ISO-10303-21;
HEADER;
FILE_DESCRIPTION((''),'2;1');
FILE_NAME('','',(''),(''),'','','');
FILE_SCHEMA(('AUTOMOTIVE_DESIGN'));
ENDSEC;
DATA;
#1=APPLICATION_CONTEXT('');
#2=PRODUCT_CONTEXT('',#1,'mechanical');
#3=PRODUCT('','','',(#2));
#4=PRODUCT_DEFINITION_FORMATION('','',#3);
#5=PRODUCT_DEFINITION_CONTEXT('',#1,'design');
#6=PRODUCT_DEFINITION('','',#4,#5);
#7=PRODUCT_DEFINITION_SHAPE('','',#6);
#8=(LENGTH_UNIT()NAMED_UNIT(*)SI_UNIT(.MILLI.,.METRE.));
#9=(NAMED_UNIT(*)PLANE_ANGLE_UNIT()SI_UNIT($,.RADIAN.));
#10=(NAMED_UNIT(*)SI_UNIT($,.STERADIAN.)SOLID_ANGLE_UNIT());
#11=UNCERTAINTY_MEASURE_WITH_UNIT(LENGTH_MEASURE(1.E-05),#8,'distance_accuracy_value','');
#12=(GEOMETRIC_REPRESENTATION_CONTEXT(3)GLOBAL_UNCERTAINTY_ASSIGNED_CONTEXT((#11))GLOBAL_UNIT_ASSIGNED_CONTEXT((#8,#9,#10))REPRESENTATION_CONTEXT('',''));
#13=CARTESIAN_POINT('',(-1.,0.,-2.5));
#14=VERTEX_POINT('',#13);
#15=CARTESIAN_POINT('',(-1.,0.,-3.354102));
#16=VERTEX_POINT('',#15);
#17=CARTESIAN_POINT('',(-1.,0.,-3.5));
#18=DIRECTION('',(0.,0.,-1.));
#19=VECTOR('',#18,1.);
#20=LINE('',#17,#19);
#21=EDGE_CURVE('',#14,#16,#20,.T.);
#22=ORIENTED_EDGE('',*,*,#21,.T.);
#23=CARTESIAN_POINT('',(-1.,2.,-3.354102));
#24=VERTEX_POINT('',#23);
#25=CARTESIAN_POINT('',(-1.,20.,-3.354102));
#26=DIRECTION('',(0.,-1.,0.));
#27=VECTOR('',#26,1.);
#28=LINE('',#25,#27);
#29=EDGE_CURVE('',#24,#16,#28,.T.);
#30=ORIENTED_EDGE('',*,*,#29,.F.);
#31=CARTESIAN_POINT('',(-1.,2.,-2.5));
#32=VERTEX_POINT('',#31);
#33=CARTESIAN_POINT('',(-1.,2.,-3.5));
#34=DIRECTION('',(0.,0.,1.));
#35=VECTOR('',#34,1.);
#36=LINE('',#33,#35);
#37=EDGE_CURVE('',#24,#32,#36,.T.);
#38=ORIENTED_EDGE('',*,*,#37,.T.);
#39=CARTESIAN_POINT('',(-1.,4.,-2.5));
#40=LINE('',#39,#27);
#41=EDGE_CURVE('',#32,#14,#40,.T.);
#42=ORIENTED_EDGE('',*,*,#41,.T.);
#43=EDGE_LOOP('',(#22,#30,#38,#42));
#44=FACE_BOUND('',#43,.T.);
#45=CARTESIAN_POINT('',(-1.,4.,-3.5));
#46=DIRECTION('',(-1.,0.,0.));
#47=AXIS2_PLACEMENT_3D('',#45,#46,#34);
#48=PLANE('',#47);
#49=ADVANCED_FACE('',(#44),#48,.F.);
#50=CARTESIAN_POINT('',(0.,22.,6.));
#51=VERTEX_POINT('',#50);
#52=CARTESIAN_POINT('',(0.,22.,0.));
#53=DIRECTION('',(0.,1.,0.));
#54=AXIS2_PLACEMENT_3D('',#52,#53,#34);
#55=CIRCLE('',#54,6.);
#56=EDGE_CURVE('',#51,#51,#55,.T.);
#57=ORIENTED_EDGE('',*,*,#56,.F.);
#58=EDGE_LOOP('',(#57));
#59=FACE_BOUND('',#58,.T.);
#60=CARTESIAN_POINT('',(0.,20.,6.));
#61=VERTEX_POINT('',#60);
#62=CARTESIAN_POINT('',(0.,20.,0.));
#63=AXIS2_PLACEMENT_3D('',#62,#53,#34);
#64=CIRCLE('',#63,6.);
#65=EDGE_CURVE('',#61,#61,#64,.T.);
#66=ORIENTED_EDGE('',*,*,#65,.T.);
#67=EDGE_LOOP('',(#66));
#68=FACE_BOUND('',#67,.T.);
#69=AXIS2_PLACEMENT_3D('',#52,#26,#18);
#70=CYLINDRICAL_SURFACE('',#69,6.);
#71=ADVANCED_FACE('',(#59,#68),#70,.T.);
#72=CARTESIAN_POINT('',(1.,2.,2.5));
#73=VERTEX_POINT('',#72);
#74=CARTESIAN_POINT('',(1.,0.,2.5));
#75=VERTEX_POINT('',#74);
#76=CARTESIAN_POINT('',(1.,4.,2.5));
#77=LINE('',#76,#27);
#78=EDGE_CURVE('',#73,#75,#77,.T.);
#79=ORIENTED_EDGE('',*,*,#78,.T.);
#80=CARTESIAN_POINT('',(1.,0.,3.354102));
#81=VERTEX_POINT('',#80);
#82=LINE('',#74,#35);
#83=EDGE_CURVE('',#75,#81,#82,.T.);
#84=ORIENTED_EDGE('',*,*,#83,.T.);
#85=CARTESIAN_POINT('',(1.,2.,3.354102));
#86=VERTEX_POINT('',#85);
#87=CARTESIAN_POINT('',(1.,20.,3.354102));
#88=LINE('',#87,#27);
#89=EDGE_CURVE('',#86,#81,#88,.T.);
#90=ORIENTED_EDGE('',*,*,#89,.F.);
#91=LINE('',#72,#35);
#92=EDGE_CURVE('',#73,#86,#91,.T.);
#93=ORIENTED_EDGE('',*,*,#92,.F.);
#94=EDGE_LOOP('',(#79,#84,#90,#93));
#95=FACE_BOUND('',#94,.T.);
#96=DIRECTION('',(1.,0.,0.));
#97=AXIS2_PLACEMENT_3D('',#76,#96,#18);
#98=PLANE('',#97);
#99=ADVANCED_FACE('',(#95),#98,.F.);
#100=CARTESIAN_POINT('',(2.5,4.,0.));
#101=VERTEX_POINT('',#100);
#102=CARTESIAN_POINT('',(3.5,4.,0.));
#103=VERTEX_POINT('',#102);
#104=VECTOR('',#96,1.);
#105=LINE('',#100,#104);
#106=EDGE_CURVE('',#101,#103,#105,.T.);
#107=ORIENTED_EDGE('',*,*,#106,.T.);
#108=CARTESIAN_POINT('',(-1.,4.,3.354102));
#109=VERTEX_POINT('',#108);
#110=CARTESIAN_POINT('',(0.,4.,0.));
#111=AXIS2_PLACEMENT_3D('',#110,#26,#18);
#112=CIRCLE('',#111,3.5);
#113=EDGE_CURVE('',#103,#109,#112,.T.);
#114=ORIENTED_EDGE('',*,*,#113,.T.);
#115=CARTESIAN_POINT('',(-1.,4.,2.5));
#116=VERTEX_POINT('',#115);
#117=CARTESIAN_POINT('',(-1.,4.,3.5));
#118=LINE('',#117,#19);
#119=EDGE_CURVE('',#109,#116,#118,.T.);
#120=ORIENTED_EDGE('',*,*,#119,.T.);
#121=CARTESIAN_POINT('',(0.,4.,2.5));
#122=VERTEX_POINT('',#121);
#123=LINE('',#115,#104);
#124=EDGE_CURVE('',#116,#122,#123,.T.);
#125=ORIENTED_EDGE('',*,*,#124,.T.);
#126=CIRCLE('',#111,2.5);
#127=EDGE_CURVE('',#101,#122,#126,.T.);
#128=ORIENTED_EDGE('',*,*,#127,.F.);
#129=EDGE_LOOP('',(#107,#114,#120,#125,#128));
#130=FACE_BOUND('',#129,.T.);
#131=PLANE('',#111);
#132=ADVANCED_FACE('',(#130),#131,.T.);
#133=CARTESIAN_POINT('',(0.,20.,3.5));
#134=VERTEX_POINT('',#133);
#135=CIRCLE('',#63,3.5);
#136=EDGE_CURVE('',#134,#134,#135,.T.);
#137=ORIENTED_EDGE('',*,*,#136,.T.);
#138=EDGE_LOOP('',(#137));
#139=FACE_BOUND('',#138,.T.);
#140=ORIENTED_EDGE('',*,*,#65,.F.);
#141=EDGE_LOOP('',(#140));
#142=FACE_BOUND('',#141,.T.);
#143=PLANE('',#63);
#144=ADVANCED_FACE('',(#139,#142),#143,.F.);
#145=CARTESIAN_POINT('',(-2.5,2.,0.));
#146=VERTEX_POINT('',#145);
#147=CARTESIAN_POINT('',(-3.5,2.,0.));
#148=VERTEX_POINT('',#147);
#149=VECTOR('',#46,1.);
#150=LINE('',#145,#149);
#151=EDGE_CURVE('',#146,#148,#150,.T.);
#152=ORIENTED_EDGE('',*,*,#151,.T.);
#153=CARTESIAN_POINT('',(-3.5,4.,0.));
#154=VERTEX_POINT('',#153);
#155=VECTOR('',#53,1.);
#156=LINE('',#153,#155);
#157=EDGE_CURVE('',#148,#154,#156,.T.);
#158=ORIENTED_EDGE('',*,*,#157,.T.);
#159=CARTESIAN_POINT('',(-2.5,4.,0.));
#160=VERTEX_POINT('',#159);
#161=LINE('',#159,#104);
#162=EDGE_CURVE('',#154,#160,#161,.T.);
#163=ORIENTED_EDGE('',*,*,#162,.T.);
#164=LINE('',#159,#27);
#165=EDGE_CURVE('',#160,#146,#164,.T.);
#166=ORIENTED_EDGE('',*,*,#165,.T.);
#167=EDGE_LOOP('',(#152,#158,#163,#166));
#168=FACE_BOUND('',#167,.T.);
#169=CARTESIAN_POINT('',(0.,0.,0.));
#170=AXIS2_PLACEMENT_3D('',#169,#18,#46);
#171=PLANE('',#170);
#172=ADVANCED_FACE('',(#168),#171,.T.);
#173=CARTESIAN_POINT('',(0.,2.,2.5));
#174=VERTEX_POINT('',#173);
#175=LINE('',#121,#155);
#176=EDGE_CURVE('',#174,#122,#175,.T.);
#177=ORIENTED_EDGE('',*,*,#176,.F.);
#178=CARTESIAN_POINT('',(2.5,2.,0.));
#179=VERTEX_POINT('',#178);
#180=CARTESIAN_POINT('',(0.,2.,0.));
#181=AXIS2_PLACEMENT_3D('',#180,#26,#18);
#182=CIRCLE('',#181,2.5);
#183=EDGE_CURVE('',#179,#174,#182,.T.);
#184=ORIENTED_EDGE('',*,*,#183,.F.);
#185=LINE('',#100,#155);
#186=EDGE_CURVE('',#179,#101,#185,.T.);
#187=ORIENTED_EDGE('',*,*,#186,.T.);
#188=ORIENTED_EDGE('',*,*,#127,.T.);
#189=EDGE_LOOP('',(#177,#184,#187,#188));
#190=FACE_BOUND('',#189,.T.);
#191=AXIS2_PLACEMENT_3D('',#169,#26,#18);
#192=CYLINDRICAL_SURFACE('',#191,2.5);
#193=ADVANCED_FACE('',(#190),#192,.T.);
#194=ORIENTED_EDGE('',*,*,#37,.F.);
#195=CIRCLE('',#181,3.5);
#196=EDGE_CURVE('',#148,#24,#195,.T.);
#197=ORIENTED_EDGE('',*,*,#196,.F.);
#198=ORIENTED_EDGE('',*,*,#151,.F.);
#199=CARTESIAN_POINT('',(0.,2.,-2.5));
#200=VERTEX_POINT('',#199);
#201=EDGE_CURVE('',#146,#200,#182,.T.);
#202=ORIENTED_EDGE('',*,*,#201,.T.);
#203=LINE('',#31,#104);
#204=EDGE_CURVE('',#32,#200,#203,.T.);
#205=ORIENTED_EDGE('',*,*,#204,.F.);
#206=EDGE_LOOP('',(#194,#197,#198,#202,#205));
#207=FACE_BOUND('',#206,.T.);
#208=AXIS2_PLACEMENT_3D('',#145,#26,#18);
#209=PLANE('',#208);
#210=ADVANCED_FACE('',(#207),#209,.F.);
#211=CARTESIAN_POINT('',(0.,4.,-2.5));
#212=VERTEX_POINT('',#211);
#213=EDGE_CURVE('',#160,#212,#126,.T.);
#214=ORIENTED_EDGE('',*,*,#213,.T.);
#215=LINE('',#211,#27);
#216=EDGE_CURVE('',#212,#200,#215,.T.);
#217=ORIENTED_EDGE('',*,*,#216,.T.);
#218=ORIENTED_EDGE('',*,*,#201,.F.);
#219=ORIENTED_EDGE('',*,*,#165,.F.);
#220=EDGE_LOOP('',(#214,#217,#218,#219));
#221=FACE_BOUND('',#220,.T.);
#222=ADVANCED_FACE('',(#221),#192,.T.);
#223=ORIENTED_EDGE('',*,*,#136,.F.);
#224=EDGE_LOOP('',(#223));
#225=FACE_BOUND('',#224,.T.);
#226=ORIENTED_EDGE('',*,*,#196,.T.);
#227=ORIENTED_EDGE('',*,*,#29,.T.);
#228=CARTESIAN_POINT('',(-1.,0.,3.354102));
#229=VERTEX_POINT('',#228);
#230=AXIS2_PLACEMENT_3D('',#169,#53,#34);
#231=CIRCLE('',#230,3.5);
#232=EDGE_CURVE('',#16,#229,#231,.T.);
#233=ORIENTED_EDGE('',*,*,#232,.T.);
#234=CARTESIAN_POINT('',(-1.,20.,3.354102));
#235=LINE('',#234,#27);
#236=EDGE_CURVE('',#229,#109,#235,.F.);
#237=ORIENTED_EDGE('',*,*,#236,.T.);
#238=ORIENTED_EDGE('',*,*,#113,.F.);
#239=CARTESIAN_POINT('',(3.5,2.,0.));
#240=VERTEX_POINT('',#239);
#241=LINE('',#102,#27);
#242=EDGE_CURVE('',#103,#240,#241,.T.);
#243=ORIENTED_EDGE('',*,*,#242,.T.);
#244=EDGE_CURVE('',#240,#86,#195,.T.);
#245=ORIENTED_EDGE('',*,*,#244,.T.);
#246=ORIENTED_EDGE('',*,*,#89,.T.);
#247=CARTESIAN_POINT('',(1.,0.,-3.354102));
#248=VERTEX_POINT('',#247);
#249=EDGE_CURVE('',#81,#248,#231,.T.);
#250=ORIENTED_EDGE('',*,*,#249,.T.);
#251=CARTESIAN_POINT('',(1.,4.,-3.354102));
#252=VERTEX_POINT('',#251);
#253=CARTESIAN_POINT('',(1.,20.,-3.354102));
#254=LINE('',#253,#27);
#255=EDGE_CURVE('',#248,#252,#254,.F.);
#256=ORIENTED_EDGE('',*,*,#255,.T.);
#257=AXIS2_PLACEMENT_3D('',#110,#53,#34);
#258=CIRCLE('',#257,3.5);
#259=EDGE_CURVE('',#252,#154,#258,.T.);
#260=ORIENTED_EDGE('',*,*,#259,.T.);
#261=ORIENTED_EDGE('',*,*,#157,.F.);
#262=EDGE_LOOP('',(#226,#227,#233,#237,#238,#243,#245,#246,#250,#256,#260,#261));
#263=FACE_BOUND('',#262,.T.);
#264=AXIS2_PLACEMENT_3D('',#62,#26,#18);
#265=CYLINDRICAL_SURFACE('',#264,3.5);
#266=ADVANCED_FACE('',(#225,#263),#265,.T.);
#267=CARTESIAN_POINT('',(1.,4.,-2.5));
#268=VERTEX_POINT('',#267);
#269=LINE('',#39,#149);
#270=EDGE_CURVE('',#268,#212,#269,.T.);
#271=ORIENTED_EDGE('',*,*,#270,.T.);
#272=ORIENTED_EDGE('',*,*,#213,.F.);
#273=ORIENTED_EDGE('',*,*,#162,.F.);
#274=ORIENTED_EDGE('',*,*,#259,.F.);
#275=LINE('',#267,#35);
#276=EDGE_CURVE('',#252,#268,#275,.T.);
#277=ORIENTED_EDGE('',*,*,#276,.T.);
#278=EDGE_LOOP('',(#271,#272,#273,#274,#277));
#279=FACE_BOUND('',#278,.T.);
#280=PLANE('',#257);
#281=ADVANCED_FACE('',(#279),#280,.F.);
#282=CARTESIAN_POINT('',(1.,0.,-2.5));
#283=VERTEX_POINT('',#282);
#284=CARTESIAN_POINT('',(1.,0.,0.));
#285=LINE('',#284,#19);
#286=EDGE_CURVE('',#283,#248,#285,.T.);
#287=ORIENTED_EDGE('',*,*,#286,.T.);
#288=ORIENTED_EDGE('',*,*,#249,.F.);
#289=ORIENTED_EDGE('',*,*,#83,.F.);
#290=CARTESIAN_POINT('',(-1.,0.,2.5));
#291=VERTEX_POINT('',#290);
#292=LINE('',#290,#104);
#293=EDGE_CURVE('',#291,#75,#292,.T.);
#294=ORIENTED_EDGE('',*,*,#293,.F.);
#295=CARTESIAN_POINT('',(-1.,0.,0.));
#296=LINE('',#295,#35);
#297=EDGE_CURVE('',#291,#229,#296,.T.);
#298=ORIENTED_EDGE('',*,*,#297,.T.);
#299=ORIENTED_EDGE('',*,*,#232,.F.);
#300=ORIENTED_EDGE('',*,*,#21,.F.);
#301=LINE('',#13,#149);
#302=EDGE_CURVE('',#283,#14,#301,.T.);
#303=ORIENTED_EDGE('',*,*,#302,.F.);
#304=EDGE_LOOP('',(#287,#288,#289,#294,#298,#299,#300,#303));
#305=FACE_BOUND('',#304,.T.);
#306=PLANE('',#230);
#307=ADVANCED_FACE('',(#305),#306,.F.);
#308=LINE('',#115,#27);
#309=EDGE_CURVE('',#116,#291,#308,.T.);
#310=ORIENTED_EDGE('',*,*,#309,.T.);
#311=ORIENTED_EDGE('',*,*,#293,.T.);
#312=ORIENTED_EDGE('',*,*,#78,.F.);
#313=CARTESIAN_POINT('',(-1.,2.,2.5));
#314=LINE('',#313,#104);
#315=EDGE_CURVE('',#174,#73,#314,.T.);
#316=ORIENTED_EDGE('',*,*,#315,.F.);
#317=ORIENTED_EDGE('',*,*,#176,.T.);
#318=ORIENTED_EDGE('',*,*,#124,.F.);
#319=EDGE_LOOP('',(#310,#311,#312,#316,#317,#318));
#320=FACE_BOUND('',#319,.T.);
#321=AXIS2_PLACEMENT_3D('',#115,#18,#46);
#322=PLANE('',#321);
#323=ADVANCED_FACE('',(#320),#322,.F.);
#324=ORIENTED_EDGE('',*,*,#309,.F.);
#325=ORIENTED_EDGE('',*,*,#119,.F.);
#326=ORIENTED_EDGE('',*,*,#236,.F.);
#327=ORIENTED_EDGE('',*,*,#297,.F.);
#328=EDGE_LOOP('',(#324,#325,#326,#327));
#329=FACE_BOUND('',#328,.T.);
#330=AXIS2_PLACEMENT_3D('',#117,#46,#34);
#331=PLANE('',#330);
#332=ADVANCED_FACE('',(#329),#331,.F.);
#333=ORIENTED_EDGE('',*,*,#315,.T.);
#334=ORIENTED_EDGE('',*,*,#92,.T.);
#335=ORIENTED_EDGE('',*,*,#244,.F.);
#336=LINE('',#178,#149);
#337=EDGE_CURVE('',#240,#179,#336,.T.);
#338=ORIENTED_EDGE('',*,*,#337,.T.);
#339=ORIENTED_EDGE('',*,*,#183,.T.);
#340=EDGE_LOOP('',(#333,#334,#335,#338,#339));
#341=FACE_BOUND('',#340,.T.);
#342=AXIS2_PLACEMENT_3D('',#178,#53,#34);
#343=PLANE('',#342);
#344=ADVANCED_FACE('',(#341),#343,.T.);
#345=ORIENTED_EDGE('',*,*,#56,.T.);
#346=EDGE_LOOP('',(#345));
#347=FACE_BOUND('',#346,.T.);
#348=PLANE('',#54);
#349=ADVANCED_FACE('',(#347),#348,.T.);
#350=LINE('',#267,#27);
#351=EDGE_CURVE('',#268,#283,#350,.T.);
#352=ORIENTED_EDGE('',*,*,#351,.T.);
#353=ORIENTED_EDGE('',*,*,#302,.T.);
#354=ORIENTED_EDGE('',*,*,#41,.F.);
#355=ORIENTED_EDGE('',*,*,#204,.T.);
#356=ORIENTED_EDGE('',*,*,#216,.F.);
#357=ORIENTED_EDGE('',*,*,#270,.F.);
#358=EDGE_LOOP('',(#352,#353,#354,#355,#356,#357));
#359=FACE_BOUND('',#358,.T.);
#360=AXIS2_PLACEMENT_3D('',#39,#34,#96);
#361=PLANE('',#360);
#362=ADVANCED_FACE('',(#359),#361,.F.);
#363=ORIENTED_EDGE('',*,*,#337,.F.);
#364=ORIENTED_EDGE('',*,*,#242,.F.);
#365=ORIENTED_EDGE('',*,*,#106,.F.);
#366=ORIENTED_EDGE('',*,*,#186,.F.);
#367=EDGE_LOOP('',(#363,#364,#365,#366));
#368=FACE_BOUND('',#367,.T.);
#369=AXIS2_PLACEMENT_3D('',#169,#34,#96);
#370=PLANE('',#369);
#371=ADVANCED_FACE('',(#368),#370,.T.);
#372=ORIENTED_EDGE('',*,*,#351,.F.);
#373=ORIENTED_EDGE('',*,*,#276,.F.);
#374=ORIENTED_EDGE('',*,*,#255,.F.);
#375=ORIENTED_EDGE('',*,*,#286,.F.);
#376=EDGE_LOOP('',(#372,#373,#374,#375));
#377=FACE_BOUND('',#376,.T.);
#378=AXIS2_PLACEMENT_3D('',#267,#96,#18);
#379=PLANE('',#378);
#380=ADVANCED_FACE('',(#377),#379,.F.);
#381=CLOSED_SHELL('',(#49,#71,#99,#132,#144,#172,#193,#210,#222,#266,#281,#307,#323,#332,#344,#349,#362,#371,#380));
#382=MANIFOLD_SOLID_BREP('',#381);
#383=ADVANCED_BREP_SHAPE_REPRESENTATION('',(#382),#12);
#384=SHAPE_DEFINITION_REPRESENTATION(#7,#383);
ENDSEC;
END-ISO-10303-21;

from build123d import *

# Parameters (mm, degrees)
SKETCH1_R           = 3.5
BOSS_EXTRUDE1_DEPTH = 20
SKETCH2_R           = 6
BOSS_EXTRUDE2_DEPTH = 2
CUT_EXTRUDE1_DEPTH  = 4
SKETCH6_W           = 1
SKETCH6_H           = 2
CUT_REVOLVE1_ANGLE  = 90


with BuildPart() as part:
    # Sketch1 → Boss-Extrude1 (new body)
    with BuildSketch(Plane(origin=(0, 0, 0), x_dir=(1, 0, 0), z_dir=(0, 1, 0))):
        Circle(SKETCH1_R)
    extrude(amount=BOSS_EXTRUDE1_DEPTH)

    # Sketch2 → Boss-Extrude2 (add)
    with BuildSketch(Plane(origin=(0, 20, 0), x_dir=(1, 0, 0), z_dir=(0, 1, 0))):
        Circle(SKETCH2_R)
    extrude(amount=BOSS_EXTRUDE2_DEPTH)

    # Sketch3 → Cut-Extrude1 (cut)
    with BuildSketch(Plane.XZ):
        Polygon((0, 3.5), (-1, 3.5), (-1, 2.5), (1, 2.5), (1, 3.5), align=None)
        Polygon((-1, -3.5), (-1, -2.5), (1, -2.5), (1, -3.5), (0, -3.5), align=None)
    extrude(amount=-CUT_EXTRUDE1_DEPTH, mode=Mode.SUBTRACT)

    # Sketch6 → Cut-Revolve1 (revolve, cut)
    with BuildSketch(Plane(origin=(0, 0, 0), x_dir=(0, 0, -1), z_dir=(1, 0, 0))):
        with Locations((3, 3)):
            Rectangle(SKETCH6_W, SKETCH6_H)
        with Locations((-3, 3)):
            Rectangle(SKETCH6_W, SKETCH6_H)
    revolve(axis=Axis((0, 0, 0), (0, 1, 0)), revolution_arc=CUT_REVOLVE1_ANGLE, mode=Mode.SUBTRACT)


solid = part.part
